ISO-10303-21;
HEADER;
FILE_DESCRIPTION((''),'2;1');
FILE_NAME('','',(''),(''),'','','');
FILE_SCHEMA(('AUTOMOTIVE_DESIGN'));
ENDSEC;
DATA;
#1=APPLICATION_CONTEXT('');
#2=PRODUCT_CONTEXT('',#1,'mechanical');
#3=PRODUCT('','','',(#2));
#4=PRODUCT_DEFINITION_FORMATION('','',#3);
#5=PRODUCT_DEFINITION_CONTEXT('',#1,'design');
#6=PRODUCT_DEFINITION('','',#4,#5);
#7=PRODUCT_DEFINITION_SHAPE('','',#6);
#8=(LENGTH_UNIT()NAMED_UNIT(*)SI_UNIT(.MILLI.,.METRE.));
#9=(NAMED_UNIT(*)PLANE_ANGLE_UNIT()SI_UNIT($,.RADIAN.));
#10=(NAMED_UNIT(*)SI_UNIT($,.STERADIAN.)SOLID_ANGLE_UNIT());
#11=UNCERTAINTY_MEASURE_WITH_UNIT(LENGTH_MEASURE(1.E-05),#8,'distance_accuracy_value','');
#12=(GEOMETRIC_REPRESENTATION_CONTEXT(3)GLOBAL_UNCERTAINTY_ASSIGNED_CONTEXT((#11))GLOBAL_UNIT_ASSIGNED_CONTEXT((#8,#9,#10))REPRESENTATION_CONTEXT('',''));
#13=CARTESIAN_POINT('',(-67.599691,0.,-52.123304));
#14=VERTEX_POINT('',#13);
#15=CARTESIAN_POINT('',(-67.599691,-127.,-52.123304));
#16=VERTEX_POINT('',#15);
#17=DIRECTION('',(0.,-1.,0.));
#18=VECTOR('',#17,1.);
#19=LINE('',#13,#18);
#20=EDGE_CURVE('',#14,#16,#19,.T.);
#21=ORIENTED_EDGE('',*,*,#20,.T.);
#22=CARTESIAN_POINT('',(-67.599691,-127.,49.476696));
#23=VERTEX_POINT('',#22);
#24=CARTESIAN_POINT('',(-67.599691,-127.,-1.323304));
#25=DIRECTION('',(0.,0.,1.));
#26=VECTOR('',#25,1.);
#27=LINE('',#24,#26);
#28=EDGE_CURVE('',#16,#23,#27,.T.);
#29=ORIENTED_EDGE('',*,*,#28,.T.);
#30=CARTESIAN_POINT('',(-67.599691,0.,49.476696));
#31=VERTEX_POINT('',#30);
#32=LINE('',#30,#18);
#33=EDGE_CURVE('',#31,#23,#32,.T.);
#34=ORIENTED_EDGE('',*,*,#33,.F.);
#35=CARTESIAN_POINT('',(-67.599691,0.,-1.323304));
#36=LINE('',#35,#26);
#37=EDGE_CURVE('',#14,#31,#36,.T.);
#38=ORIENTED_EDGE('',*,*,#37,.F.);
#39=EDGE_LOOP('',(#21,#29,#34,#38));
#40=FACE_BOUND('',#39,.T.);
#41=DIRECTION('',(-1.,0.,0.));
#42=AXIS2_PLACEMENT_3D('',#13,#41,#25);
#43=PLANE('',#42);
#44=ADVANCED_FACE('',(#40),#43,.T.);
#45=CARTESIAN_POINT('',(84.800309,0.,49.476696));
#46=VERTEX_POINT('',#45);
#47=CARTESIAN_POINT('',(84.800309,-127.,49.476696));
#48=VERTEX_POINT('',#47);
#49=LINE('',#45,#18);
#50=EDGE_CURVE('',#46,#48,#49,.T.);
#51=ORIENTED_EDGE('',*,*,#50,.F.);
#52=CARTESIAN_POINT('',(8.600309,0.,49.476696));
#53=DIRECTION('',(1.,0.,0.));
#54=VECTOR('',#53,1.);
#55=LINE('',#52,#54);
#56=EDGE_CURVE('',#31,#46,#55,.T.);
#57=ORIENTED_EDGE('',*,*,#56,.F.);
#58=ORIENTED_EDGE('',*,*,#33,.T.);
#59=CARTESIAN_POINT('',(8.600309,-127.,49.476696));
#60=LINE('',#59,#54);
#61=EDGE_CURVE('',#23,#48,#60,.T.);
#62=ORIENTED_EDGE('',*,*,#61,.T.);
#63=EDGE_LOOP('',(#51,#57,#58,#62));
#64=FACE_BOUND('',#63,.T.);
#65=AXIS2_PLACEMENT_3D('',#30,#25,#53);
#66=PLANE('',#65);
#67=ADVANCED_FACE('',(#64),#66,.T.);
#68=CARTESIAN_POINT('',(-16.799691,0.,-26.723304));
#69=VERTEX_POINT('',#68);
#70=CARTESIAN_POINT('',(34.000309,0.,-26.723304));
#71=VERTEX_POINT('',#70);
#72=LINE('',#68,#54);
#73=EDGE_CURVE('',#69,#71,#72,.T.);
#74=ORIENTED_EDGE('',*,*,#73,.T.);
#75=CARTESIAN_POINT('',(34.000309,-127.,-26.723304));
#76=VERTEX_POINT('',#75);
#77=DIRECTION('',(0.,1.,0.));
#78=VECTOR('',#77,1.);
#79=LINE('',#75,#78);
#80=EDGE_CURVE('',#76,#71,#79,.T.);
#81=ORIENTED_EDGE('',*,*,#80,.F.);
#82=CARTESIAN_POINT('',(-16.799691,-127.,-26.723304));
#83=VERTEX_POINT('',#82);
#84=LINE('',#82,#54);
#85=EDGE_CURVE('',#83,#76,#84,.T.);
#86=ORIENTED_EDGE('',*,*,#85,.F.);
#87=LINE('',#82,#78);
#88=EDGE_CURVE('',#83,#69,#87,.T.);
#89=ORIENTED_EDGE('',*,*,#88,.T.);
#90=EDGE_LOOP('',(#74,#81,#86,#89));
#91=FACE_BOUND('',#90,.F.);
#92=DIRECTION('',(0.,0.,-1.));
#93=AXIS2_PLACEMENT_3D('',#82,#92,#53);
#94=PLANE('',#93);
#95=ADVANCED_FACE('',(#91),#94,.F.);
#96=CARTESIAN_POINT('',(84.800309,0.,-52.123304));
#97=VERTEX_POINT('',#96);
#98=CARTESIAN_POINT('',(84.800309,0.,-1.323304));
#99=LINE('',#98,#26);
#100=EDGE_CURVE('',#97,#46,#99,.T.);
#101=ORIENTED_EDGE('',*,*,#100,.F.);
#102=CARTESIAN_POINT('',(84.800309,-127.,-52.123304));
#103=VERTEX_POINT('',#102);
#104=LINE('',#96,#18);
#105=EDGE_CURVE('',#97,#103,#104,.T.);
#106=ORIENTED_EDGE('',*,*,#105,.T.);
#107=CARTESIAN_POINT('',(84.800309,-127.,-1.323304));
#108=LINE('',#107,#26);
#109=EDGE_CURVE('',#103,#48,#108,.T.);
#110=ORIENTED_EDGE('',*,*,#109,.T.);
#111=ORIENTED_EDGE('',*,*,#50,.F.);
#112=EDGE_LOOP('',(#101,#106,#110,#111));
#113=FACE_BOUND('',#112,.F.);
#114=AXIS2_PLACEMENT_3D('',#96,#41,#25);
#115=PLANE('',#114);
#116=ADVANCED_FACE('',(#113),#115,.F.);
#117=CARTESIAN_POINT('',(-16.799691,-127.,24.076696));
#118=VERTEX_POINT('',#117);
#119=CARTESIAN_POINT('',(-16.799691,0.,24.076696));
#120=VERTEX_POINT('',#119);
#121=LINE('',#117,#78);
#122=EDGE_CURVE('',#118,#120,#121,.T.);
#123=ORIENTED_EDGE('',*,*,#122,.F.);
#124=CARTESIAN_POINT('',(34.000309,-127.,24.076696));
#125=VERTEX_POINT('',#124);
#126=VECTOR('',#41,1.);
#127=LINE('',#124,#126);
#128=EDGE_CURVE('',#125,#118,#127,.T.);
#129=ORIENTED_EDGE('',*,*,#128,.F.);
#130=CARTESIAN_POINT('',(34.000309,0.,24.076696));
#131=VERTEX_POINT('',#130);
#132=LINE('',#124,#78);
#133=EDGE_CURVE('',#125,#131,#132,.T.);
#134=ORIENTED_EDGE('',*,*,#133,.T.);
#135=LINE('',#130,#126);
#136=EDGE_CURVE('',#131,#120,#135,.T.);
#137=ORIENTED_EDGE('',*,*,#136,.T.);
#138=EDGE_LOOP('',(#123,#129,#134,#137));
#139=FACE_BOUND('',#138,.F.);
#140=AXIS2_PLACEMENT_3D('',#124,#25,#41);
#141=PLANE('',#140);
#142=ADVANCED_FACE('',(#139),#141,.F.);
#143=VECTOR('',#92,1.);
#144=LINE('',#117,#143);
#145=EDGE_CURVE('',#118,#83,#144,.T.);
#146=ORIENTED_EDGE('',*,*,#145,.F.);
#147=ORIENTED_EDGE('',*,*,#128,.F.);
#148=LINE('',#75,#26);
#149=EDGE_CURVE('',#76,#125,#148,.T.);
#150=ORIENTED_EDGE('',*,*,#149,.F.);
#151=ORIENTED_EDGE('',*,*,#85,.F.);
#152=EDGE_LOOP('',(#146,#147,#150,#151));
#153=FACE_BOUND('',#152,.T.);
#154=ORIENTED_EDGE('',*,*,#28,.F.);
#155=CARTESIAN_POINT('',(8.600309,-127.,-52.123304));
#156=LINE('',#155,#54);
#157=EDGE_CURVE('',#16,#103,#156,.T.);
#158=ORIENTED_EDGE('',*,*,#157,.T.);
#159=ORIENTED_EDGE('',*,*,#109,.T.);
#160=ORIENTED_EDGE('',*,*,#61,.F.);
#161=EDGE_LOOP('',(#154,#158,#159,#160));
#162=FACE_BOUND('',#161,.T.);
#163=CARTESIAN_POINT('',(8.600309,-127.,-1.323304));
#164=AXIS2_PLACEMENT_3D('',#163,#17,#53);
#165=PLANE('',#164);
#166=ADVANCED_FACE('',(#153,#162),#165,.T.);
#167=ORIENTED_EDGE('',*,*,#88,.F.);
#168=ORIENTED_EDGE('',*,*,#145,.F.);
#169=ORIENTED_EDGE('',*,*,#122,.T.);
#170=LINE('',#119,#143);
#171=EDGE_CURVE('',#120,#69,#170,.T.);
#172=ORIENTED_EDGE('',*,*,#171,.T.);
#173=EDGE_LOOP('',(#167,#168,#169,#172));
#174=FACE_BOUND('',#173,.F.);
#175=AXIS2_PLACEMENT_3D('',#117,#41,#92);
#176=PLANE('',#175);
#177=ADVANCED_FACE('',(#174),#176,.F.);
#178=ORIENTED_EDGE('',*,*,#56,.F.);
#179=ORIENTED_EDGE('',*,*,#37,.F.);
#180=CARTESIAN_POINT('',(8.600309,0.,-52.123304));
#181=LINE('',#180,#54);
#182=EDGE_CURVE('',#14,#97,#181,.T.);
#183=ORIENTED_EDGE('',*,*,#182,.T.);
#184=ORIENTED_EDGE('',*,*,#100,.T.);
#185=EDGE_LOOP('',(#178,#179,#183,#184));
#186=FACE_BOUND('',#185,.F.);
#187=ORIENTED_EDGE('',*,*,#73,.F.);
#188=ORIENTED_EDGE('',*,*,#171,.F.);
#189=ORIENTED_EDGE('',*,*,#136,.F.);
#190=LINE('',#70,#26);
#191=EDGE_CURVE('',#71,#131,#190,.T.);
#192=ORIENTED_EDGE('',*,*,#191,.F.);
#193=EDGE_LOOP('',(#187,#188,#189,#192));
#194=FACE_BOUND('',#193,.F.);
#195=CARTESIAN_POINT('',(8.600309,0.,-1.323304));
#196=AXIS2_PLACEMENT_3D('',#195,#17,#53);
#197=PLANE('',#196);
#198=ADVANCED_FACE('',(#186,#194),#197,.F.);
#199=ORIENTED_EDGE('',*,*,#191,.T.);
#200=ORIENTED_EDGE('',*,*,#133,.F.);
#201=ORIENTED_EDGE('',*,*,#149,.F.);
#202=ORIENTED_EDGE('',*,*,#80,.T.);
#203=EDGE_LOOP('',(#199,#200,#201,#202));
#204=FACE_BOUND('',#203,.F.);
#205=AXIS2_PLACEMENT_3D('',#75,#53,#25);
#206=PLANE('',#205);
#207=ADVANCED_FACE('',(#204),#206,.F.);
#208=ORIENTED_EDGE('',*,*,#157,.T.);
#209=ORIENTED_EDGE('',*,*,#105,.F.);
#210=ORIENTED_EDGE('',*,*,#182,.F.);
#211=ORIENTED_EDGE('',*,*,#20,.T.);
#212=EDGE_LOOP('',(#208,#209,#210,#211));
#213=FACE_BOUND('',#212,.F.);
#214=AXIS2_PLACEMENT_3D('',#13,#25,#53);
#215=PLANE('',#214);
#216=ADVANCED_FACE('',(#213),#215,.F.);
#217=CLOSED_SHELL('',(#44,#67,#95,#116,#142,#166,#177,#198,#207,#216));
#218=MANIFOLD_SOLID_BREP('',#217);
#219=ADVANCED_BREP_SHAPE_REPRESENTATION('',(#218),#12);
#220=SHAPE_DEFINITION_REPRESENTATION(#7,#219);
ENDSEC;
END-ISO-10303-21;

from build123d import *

# Parameters (mm, degrees)
F0_W     = 152.4
F0_H     = 101.6
F1_DEPTH = 127
F3_DEPTH = 127


with BuildPart() as f1:
    # F0 (on Front) → F1 (new body)
    with BuildSketch(Plane.XZ):
        with Locations((8.600309, -1.323304)):
            Rectangle(F0_W, F0_H)
    extrude(amount=F1_DEPTH)

    # F2 (on face) → F3 (cut)
    with BuildSketch(Plane.XZ.offset(127)):
        Polygon((34.000309, 24.076696), (3.260987, 24.076696), (-16.799691, 24.076696), (-16.799691, -1.323304), (-16.799691, -26.723304), (6.178255, -26.723304), (34.000309, -26.723304), (34.000309, -1.323304), align=None)
    extrude(amount=-F3_DEPTH, mode=Mode.SUBTRACT)


solid = f1.part
